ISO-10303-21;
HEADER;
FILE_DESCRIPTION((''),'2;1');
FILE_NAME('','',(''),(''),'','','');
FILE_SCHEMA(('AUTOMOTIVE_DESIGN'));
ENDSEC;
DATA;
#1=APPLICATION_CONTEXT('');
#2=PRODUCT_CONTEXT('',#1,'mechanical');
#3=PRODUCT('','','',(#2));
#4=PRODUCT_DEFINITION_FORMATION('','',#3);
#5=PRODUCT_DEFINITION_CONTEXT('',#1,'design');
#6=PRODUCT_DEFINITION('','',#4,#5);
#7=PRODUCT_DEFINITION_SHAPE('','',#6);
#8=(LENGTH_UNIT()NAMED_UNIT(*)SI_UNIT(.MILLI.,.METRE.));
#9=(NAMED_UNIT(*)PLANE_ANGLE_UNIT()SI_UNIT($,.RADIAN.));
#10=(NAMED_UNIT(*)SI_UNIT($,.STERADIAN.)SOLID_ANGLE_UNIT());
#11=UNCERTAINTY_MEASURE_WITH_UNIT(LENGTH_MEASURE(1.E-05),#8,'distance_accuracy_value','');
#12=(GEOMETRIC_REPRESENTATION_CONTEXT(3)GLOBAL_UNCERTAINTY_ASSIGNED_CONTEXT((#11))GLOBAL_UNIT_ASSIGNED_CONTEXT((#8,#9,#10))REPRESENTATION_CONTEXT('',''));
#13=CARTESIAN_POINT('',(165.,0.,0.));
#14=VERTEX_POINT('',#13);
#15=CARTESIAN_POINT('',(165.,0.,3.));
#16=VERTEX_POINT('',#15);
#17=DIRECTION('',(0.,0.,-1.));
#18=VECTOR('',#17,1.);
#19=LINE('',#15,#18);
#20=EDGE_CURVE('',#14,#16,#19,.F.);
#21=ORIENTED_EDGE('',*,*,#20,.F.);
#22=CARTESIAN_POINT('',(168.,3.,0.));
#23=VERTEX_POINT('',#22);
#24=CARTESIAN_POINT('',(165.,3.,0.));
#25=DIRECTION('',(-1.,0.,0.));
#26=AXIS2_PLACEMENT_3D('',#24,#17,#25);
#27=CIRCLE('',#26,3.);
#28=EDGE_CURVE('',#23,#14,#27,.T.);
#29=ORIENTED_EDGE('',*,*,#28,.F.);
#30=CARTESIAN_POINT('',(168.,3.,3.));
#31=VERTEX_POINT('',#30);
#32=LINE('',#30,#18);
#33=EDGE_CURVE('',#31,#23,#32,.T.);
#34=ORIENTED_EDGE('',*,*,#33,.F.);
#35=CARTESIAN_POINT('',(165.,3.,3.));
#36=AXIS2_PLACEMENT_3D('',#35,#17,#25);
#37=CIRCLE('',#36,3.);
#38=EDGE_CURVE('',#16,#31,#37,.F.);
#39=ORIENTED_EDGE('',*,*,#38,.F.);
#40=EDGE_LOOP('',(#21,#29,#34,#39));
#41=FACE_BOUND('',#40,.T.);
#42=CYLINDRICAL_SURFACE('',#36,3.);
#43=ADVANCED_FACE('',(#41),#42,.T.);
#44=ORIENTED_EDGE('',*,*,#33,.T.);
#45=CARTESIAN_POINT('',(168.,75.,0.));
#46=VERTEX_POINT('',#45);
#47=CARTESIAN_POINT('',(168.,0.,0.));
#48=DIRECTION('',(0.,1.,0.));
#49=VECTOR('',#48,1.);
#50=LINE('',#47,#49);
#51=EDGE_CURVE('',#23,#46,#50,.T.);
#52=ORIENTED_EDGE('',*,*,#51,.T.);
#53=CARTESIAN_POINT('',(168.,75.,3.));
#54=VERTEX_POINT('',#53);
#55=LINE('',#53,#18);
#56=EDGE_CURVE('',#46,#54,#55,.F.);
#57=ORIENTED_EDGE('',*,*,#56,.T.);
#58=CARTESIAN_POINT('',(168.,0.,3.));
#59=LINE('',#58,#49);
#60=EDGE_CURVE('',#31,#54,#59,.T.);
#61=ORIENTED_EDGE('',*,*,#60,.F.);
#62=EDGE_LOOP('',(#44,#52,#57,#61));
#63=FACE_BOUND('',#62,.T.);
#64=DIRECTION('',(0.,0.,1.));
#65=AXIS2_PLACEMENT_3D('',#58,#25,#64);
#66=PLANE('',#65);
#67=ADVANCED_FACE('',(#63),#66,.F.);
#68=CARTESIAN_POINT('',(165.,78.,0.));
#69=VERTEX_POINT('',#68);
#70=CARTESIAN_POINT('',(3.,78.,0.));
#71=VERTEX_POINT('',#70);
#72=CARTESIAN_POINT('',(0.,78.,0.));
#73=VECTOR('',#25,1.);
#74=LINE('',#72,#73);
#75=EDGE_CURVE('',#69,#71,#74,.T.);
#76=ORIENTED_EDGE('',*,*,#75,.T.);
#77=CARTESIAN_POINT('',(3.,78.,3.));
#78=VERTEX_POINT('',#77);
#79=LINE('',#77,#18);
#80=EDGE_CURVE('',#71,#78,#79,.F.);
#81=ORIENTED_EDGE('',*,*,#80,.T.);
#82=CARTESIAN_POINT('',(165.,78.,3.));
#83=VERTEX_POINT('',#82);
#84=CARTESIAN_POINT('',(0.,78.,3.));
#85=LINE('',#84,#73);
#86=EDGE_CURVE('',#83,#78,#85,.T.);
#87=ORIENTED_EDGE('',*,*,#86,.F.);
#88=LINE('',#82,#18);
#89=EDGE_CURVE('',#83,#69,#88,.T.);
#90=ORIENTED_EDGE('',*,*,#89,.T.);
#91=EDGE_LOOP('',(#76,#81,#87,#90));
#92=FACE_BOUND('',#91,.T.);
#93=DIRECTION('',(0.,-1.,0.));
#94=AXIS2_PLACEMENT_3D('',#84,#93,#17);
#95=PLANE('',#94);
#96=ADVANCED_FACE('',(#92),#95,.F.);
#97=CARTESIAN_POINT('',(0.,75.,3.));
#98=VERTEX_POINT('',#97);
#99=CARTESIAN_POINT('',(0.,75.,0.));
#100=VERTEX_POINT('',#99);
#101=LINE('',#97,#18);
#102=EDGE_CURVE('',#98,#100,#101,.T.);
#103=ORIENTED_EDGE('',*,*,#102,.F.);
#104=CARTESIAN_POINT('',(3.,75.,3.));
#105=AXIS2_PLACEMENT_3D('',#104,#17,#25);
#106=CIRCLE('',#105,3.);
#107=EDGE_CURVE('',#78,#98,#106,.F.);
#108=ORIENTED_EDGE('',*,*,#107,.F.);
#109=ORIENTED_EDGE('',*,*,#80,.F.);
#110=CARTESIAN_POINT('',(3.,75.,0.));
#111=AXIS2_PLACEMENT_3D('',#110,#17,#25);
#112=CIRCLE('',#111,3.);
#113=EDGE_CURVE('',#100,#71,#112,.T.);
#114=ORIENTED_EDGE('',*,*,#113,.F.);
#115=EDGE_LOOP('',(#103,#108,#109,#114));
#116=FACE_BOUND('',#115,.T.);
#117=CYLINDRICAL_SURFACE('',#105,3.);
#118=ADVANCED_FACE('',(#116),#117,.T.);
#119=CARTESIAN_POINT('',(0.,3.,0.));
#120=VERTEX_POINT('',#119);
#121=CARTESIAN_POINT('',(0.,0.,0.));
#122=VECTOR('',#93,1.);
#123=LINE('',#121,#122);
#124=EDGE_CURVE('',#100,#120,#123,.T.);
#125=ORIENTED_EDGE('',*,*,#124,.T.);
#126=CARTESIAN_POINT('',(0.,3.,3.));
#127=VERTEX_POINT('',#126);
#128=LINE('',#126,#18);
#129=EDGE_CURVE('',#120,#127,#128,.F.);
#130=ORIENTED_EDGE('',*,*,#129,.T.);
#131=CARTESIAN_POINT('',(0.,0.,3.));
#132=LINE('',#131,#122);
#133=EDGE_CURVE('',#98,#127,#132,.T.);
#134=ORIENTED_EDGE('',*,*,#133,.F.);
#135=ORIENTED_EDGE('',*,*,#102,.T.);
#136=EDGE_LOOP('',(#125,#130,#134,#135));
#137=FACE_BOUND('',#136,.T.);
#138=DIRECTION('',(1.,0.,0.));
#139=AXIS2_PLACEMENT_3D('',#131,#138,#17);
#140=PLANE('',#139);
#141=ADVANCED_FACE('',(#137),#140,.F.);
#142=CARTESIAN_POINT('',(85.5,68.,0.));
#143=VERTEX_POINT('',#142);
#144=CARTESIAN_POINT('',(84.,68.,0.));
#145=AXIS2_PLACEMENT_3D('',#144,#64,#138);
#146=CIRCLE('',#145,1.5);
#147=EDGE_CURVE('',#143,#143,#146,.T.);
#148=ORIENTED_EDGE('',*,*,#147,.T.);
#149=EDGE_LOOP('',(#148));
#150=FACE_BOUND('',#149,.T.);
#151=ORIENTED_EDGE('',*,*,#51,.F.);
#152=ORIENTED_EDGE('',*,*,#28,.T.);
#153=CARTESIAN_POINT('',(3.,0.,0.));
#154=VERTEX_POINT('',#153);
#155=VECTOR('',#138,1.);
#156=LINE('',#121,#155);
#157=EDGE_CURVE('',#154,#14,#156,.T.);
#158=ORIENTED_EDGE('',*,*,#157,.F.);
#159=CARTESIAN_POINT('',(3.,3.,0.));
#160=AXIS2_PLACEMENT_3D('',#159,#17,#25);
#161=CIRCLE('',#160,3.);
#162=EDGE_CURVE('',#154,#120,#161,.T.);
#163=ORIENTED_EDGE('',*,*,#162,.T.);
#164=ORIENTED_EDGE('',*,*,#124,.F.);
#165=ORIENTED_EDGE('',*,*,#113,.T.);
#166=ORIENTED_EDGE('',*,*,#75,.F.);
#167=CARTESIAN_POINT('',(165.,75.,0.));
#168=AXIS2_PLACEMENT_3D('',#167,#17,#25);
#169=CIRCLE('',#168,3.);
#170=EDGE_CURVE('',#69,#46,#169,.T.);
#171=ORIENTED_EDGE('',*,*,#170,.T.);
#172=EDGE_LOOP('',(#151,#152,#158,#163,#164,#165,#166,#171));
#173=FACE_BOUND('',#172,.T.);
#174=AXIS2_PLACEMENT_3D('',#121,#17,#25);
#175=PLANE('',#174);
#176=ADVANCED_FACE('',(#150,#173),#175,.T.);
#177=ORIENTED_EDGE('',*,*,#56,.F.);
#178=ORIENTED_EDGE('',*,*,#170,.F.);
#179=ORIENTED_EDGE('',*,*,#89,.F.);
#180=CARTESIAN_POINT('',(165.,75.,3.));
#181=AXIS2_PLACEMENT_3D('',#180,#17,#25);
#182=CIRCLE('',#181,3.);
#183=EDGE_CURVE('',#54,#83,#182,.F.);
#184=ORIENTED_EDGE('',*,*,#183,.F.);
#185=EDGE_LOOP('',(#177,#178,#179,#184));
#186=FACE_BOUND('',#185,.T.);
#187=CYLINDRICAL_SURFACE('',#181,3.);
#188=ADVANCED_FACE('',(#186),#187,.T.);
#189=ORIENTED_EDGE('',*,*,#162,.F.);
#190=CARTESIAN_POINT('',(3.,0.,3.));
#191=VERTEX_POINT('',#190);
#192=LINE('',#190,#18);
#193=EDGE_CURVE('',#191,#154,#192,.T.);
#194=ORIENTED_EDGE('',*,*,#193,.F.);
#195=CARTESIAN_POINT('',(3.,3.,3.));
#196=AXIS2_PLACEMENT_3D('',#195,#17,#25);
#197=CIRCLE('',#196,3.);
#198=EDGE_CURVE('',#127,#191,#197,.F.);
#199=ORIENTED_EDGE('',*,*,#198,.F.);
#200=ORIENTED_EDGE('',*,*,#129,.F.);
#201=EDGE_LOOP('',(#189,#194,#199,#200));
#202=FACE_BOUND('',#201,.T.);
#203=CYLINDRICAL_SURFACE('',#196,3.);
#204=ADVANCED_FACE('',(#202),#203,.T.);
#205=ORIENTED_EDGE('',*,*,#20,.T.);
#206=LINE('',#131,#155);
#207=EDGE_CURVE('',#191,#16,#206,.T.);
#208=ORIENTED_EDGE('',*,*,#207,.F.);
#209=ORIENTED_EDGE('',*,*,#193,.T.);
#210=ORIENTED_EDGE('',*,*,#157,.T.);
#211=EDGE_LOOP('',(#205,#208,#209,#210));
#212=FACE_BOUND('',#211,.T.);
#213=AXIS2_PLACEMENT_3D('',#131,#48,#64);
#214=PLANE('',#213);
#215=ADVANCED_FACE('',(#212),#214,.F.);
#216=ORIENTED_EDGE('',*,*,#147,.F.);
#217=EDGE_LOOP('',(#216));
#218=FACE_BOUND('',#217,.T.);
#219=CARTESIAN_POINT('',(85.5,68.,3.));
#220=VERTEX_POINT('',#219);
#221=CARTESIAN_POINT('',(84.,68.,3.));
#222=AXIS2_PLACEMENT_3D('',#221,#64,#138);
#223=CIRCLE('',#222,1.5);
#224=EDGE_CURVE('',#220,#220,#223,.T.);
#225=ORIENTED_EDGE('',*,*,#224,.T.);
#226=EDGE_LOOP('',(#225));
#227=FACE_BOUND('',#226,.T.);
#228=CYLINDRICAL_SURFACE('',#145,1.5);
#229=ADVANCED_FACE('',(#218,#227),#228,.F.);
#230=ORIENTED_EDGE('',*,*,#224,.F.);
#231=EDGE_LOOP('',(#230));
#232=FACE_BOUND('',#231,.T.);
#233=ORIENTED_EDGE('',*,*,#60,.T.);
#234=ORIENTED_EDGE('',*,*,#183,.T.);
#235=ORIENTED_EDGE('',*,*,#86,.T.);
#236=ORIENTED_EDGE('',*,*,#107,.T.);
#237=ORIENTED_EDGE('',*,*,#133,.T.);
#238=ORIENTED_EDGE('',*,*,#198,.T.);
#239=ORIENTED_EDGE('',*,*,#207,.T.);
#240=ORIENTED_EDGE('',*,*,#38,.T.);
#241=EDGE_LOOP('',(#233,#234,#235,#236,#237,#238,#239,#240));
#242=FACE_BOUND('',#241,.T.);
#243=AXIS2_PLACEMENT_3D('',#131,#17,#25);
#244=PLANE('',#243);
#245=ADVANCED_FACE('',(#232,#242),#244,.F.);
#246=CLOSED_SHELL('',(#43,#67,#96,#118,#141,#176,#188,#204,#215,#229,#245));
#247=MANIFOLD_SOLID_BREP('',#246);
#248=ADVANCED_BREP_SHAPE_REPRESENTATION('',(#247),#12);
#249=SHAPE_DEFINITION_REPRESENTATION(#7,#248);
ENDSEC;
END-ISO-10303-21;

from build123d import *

# Parameters (mm, degrees)
ESQUISSE1_W             = 168
ESQUISSE1_H             = 78
BOSS_EXTRU_1_DEPTH      = 3
CONG_1_R                = 3
ESQUISSE2_R             = 1.5
ENL_V_MAT_EXTRU_1_DEPTH = 186.248481775


with BuildPart() as part:
    # Esquisse1 → Boss.-Extru.1 (new body)
    with BuildSketch(Plane.XY):
        with Locations((84, 39)):
            Rectangle(ESQUISSE1_W, ESQUISSE1_H)
    extrude(amount=BOSS_EXTRU_1_DEPTH)

    # Congé1
    cong_1_edges = [part.edges().sort_by_distance(p)[0] for p in [
        (0, 78, 1.5),
        (168, 78, 1.5),
        (168, 0, 1.5),
        (0, 0, 1.5),
    ]]
    fillet(cong_1_edges, radius=CONG_1_R)

    # Esquisse2 → Enlèv. mat.-Extru.1 (cut, through all)
    with BuildSketch(Plane.XY.offset(3)):
        with Locations((84, 68)):
            Circle(ESQUISSE2_R)
    extrude(amount=-ENL_V_MAT_EXTRU_1_DEPTH, mode=Mode.SUBTRACT)


solid = part.part
